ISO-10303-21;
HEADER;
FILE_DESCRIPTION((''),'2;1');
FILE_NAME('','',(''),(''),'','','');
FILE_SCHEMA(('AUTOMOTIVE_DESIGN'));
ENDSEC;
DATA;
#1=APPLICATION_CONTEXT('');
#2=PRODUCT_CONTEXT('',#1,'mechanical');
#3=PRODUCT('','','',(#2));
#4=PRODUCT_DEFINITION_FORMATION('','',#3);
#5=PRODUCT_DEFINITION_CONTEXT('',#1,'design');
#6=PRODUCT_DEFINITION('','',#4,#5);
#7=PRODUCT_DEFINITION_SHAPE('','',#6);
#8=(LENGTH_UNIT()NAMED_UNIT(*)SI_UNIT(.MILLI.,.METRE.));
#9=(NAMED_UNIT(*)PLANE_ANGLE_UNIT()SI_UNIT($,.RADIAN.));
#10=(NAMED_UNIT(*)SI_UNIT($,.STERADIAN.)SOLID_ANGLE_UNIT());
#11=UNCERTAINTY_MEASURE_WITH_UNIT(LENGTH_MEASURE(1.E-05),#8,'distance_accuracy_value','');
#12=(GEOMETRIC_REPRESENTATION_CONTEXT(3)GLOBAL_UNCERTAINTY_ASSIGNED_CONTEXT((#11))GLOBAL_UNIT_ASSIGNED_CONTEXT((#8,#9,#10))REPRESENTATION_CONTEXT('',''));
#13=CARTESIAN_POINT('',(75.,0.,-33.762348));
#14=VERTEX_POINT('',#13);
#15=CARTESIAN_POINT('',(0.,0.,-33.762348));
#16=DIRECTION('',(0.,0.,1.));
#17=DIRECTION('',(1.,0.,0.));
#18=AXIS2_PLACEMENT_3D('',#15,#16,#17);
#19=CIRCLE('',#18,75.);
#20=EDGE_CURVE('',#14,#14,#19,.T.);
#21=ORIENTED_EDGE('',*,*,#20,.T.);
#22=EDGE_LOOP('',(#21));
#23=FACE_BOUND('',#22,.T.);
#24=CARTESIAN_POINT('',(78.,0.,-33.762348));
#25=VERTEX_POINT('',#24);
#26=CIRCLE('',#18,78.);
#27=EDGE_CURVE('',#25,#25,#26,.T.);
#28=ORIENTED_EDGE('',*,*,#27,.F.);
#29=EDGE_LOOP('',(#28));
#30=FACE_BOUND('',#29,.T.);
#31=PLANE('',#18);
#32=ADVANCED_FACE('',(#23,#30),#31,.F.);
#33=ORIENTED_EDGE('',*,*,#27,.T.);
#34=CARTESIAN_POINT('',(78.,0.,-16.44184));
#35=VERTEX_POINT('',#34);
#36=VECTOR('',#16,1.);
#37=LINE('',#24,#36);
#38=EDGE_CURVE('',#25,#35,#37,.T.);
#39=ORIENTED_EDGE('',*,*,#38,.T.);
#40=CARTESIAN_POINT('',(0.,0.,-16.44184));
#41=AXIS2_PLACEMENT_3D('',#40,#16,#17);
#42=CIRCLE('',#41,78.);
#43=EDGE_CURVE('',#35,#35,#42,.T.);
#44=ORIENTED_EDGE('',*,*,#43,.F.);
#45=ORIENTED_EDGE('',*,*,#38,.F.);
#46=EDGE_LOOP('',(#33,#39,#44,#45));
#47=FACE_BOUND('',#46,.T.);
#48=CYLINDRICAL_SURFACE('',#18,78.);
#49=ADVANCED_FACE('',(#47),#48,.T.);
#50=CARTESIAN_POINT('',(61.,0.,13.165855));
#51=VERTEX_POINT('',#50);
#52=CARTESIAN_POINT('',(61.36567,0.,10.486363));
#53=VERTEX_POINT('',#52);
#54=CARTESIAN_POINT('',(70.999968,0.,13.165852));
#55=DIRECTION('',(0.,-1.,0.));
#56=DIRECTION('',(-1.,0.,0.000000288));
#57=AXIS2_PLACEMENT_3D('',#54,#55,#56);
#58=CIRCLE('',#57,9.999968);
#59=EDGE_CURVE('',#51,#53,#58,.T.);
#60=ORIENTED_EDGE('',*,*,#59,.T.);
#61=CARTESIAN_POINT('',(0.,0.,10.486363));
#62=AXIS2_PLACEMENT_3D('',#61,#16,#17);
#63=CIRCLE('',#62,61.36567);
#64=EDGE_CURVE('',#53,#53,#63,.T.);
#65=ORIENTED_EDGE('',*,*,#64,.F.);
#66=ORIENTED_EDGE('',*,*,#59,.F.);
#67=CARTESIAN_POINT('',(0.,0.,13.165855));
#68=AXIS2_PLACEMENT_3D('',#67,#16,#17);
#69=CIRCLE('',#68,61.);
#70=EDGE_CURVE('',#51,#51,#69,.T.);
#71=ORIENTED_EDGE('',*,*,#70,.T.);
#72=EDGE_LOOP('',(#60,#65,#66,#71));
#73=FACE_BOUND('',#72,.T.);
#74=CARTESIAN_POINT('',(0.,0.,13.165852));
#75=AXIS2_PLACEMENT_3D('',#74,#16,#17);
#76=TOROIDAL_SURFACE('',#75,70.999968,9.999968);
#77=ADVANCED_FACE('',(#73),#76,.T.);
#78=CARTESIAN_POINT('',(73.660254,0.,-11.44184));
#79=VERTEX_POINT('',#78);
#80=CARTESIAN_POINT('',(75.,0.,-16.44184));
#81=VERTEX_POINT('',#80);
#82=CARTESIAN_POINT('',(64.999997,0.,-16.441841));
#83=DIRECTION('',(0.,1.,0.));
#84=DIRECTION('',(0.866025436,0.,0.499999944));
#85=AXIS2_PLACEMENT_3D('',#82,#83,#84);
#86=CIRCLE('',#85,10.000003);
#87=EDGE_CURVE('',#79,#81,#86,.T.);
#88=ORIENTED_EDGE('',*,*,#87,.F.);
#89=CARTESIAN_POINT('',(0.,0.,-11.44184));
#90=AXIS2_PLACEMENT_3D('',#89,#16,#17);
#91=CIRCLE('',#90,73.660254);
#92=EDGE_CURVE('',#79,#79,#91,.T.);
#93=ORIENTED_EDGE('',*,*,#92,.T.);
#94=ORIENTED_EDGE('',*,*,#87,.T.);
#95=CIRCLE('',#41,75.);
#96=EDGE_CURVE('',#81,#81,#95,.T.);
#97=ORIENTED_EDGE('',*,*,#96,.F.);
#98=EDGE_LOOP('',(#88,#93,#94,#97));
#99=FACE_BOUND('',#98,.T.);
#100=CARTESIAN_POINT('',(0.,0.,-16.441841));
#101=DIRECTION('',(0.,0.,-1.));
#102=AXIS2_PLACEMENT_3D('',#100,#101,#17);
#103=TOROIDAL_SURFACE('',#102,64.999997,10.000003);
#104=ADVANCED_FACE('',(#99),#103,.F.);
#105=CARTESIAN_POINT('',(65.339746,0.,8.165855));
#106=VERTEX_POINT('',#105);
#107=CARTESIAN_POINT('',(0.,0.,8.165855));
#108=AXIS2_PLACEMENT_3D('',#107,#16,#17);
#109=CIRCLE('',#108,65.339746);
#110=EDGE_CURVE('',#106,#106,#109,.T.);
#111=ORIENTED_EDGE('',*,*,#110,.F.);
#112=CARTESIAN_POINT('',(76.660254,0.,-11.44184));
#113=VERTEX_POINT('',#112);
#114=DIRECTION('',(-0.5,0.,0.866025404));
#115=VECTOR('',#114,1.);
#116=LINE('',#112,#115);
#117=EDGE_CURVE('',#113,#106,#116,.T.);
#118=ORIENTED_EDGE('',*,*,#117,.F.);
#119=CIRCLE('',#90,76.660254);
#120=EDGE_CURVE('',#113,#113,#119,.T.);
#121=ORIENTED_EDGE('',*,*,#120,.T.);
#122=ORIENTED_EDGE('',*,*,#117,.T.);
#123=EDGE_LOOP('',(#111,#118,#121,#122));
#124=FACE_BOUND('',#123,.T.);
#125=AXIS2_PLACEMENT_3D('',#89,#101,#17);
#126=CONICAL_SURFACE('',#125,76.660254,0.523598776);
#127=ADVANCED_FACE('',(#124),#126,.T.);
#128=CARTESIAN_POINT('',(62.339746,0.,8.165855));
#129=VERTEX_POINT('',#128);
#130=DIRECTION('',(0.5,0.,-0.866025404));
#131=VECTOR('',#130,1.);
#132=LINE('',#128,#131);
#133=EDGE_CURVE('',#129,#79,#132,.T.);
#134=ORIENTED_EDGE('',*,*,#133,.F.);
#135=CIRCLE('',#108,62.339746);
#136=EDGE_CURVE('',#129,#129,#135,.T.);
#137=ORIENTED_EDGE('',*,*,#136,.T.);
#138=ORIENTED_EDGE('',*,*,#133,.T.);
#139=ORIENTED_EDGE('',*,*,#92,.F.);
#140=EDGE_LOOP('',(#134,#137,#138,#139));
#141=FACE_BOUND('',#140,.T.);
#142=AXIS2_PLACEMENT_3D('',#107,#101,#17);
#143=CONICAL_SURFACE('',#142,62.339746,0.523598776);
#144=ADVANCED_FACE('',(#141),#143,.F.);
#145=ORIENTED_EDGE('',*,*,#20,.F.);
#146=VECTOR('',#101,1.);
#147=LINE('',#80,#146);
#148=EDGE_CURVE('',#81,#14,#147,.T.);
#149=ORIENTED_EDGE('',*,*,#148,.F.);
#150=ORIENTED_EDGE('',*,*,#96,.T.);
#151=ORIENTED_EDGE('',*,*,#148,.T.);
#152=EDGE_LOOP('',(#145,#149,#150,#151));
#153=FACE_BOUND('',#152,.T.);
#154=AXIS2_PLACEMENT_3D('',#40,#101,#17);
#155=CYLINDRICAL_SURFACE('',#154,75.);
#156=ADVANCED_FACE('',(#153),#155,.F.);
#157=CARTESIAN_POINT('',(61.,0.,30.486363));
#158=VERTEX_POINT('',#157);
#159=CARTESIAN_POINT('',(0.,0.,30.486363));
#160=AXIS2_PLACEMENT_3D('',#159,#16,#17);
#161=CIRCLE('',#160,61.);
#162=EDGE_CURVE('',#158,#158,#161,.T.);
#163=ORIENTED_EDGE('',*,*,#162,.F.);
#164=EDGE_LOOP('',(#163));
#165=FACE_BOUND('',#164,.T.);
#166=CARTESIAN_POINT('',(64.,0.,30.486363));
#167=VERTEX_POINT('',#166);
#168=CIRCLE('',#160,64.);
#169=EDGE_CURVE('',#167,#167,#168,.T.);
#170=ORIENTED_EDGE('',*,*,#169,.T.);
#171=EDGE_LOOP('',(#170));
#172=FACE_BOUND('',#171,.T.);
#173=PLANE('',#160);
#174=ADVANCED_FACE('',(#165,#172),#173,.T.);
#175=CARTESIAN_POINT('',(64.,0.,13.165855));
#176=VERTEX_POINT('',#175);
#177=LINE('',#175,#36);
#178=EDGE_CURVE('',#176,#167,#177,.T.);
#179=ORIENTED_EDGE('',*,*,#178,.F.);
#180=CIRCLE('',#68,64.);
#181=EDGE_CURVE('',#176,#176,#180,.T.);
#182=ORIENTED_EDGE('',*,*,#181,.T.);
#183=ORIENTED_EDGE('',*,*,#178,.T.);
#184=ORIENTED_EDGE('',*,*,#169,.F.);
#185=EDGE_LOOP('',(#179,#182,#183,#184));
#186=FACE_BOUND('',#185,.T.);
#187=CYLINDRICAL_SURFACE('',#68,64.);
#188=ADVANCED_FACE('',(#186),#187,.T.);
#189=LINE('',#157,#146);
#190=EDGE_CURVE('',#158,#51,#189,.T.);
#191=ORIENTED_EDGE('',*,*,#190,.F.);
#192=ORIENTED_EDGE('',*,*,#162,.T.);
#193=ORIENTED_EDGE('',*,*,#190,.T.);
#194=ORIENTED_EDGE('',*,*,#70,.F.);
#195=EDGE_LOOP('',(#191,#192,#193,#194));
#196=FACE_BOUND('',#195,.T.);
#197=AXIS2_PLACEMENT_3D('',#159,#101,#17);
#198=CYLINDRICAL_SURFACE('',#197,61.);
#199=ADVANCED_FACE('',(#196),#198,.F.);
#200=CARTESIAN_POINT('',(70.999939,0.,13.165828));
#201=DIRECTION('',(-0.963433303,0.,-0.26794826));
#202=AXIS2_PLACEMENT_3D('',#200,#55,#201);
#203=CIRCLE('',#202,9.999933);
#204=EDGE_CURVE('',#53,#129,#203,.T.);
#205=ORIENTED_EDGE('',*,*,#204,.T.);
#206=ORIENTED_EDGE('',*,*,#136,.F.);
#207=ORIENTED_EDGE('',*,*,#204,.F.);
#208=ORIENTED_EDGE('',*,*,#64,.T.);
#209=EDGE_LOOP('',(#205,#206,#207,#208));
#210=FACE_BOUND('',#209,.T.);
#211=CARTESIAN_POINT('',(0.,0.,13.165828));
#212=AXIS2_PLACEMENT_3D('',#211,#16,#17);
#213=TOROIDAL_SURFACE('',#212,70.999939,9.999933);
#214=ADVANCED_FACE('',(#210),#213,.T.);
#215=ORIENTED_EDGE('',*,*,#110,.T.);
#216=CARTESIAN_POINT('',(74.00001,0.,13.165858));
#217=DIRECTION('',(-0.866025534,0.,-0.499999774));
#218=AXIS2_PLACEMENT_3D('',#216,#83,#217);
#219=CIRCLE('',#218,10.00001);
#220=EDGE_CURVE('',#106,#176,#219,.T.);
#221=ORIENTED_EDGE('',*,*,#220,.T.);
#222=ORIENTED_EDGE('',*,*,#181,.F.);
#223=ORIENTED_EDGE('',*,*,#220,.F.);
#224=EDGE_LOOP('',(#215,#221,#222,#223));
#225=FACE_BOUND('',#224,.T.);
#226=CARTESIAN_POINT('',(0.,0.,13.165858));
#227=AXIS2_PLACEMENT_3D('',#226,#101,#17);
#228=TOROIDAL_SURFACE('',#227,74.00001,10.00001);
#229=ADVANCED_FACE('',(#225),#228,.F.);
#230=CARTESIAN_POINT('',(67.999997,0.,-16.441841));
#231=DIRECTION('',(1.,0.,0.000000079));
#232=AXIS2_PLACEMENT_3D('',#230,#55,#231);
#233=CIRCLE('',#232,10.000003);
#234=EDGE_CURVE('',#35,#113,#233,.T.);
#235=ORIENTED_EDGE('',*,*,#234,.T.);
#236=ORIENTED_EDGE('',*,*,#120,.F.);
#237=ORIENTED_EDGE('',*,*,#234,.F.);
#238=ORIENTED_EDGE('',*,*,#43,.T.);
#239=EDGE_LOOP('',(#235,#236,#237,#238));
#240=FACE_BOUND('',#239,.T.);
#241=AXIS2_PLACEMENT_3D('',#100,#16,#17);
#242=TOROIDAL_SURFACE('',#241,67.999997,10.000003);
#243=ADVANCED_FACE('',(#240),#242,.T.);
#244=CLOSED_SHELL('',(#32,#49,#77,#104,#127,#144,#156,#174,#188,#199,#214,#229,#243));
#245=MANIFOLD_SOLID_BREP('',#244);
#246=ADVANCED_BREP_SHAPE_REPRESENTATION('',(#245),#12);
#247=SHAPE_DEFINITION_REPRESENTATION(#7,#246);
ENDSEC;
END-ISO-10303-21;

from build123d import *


with BuildPart() as f1:
    # F0 (on Front) → F1 (revolve)
    with BuildSketch(Plane.XZ):
        with BuildLine():
            ThreePointArc((61.36567, 10.486363), (61.779417, 9.295344), (62.339746, 8.165855))
            Line((62.339746, 8.165855), (73.660254, -11.44184))
            ThreePointArc((73.660254, -11.44184), (74.659258, -13.853649), (75, -16.44184))
            Line((75, -16.44184), (75, -33.762348))
            Line((75, -33.762348), (78, -33.762348))
            Line((78, -33.762348), (78, -16.44184))
            ThreePointArc((78, -16.44184), (77.659258, -13.853649), (76.660254, -11.44184))
            Line((76.660254, -11.44184), (65.339746, 8.165855))
            ThreePointArc((65.339746, 8.165855), (64.340742, 10.577665), (64, 13.165855))
            Line((64, 13.165855), (64, 30.486363))
            Line((64, 30.486363), (61, 30.486363))
            Line((61, 30.486363), (61, 13.165855))
            ThreePointArc((61, 13.165855), (61.091839, 11.813691), (61.36567, 10.486363))
        make_face()
    revolve(axis=Axis((0, 0, 3.03654), (0, 0, 1)))


solid = f1.part
